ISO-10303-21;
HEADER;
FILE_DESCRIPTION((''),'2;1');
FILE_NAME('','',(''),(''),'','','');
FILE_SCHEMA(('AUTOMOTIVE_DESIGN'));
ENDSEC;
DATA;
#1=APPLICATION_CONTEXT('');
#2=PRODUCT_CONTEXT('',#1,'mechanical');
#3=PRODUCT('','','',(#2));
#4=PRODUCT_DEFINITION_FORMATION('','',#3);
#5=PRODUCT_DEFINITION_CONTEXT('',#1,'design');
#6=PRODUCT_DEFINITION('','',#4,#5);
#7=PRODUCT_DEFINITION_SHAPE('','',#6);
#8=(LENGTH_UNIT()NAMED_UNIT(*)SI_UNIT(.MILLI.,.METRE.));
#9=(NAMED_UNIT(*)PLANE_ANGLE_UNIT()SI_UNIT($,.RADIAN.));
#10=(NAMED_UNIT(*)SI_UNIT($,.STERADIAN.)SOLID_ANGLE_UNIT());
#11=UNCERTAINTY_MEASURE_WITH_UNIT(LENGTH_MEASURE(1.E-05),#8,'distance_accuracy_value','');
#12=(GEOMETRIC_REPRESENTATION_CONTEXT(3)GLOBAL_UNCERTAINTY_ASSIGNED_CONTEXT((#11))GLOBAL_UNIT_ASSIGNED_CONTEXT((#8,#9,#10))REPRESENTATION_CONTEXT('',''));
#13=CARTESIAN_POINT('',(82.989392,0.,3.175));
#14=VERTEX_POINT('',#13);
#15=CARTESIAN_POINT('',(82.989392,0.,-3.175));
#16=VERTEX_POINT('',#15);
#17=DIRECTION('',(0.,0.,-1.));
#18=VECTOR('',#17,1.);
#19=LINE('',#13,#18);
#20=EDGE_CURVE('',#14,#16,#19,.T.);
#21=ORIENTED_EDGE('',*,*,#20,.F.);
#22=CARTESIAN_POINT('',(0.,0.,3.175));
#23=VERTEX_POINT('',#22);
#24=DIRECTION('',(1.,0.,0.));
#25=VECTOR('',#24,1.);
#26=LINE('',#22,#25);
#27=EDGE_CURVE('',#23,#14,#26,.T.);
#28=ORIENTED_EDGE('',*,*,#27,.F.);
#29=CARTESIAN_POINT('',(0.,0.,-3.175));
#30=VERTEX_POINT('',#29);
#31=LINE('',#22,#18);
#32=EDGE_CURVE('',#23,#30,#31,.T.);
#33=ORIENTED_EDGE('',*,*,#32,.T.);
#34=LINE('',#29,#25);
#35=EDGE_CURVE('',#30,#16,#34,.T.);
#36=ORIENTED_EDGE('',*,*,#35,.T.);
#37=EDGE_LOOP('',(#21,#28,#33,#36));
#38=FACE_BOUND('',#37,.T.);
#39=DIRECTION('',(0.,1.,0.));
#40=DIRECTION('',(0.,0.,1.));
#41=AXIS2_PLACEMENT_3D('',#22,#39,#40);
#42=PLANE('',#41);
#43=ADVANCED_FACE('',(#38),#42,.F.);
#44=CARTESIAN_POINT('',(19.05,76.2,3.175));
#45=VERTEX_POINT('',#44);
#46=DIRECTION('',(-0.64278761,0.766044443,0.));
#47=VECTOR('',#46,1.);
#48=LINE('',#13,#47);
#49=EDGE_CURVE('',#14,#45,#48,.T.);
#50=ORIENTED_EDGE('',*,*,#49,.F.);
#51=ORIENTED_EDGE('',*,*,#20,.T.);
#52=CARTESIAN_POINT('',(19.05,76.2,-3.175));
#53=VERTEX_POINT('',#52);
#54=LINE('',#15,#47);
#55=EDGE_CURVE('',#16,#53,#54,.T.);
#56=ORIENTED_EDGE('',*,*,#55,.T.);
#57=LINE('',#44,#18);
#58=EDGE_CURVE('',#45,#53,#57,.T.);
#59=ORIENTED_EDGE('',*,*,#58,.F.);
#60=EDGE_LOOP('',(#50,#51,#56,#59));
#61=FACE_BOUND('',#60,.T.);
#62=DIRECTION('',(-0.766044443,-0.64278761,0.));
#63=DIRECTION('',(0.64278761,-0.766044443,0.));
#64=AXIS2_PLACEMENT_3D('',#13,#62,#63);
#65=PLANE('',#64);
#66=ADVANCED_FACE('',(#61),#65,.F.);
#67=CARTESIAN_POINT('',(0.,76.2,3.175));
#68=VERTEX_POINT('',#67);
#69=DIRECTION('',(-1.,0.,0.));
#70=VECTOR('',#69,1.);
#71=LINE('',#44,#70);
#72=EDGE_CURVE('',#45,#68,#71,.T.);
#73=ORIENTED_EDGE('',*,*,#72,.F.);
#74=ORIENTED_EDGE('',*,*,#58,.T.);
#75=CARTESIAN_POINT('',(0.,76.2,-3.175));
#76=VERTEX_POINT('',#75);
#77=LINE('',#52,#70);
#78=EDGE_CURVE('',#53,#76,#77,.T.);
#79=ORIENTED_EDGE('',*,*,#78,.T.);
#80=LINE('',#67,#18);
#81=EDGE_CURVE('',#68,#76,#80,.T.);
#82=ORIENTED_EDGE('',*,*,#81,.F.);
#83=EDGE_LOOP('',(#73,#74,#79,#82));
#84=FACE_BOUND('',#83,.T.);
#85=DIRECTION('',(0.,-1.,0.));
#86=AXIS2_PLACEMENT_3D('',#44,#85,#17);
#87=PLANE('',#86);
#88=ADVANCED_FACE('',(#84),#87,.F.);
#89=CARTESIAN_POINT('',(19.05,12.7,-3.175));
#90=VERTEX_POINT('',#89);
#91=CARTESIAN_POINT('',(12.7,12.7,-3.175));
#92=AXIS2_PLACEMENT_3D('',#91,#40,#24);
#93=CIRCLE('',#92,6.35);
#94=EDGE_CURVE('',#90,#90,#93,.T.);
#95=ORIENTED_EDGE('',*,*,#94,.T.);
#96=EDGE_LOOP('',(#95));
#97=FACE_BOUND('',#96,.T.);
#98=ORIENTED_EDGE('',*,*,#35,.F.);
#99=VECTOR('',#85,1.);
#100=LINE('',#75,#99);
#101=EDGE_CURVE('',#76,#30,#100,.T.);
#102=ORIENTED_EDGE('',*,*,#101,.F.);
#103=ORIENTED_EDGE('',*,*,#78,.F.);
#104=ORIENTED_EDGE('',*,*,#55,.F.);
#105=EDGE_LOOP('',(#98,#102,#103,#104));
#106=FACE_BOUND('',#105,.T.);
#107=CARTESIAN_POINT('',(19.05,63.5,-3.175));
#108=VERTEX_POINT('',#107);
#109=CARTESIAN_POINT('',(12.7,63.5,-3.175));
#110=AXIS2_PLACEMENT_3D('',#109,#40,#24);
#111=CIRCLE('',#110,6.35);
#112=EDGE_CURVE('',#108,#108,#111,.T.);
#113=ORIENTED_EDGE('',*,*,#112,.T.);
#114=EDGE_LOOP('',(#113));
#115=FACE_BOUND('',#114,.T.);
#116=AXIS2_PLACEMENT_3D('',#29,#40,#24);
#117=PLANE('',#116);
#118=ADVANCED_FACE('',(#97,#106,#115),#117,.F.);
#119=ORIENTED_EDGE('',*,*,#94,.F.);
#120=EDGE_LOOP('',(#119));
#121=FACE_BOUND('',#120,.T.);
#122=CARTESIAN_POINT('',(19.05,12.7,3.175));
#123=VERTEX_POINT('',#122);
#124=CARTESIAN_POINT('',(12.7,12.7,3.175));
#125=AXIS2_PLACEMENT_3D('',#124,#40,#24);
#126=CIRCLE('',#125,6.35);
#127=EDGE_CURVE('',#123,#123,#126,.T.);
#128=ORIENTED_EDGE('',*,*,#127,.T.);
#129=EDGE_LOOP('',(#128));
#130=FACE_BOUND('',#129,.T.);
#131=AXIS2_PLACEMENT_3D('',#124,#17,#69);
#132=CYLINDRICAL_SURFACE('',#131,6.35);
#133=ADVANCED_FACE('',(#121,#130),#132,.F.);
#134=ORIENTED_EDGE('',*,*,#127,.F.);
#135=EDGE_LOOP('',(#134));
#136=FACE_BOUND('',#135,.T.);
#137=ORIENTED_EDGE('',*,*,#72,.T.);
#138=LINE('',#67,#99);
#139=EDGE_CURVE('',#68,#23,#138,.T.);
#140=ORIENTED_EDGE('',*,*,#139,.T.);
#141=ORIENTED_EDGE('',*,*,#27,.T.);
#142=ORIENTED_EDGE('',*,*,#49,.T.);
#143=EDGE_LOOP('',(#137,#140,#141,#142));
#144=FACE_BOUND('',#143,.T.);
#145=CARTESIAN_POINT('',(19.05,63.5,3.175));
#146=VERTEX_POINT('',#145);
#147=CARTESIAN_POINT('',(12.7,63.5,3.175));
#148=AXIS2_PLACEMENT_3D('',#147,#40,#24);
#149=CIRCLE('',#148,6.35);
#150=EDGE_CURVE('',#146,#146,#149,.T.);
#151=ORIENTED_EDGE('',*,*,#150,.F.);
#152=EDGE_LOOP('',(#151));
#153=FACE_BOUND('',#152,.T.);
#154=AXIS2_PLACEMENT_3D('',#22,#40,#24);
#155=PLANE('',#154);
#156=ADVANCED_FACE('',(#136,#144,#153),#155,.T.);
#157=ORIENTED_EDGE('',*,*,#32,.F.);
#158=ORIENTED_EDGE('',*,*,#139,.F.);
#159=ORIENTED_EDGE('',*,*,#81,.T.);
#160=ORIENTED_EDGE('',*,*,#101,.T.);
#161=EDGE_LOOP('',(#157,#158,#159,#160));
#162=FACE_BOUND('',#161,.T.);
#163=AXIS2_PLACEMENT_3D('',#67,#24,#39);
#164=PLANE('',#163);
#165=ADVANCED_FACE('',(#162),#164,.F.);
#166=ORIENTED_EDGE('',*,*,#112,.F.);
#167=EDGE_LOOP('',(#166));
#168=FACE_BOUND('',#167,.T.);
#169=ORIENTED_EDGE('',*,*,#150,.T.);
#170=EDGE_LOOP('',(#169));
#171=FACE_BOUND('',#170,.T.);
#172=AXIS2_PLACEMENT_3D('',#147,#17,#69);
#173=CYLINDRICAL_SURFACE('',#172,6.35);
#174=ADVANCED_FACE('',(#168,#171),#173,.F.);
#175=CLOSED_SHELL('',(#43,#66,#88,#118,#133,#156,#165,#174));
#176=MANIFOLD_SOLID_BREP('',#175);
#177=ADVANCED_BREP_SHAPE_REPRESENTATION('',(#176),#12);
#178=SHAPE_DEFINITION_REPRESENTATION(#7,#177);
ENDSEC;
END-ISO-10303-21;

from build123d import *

# Parameters (mm, degrees)
SKETCH1_R           = 6.35
BOSS_EXTRUDE1_DEPTH = 3.175


with BuildPart() as part:
    # Sketch1 → Boss-Extrude1 (new body, symmetric)
    with BuildSketch(Plane.XY):
        Polygon((0, 0), (82.989391896, 0), (19.05, 76.2), (0, 76.2), align=None)
        with Locations((12.7, 63.5)):
            Circle(SKETCH1_R, mode=Mode.SUBTRACT)
        with Locations((12.7, 12.7)):
            Circle(SKETCH1_R, mode=Mode.SUBTRACT)
    extrude(amount=BOSS_EXTRUDE1_DEPTH, both=True)


solid = part.part
